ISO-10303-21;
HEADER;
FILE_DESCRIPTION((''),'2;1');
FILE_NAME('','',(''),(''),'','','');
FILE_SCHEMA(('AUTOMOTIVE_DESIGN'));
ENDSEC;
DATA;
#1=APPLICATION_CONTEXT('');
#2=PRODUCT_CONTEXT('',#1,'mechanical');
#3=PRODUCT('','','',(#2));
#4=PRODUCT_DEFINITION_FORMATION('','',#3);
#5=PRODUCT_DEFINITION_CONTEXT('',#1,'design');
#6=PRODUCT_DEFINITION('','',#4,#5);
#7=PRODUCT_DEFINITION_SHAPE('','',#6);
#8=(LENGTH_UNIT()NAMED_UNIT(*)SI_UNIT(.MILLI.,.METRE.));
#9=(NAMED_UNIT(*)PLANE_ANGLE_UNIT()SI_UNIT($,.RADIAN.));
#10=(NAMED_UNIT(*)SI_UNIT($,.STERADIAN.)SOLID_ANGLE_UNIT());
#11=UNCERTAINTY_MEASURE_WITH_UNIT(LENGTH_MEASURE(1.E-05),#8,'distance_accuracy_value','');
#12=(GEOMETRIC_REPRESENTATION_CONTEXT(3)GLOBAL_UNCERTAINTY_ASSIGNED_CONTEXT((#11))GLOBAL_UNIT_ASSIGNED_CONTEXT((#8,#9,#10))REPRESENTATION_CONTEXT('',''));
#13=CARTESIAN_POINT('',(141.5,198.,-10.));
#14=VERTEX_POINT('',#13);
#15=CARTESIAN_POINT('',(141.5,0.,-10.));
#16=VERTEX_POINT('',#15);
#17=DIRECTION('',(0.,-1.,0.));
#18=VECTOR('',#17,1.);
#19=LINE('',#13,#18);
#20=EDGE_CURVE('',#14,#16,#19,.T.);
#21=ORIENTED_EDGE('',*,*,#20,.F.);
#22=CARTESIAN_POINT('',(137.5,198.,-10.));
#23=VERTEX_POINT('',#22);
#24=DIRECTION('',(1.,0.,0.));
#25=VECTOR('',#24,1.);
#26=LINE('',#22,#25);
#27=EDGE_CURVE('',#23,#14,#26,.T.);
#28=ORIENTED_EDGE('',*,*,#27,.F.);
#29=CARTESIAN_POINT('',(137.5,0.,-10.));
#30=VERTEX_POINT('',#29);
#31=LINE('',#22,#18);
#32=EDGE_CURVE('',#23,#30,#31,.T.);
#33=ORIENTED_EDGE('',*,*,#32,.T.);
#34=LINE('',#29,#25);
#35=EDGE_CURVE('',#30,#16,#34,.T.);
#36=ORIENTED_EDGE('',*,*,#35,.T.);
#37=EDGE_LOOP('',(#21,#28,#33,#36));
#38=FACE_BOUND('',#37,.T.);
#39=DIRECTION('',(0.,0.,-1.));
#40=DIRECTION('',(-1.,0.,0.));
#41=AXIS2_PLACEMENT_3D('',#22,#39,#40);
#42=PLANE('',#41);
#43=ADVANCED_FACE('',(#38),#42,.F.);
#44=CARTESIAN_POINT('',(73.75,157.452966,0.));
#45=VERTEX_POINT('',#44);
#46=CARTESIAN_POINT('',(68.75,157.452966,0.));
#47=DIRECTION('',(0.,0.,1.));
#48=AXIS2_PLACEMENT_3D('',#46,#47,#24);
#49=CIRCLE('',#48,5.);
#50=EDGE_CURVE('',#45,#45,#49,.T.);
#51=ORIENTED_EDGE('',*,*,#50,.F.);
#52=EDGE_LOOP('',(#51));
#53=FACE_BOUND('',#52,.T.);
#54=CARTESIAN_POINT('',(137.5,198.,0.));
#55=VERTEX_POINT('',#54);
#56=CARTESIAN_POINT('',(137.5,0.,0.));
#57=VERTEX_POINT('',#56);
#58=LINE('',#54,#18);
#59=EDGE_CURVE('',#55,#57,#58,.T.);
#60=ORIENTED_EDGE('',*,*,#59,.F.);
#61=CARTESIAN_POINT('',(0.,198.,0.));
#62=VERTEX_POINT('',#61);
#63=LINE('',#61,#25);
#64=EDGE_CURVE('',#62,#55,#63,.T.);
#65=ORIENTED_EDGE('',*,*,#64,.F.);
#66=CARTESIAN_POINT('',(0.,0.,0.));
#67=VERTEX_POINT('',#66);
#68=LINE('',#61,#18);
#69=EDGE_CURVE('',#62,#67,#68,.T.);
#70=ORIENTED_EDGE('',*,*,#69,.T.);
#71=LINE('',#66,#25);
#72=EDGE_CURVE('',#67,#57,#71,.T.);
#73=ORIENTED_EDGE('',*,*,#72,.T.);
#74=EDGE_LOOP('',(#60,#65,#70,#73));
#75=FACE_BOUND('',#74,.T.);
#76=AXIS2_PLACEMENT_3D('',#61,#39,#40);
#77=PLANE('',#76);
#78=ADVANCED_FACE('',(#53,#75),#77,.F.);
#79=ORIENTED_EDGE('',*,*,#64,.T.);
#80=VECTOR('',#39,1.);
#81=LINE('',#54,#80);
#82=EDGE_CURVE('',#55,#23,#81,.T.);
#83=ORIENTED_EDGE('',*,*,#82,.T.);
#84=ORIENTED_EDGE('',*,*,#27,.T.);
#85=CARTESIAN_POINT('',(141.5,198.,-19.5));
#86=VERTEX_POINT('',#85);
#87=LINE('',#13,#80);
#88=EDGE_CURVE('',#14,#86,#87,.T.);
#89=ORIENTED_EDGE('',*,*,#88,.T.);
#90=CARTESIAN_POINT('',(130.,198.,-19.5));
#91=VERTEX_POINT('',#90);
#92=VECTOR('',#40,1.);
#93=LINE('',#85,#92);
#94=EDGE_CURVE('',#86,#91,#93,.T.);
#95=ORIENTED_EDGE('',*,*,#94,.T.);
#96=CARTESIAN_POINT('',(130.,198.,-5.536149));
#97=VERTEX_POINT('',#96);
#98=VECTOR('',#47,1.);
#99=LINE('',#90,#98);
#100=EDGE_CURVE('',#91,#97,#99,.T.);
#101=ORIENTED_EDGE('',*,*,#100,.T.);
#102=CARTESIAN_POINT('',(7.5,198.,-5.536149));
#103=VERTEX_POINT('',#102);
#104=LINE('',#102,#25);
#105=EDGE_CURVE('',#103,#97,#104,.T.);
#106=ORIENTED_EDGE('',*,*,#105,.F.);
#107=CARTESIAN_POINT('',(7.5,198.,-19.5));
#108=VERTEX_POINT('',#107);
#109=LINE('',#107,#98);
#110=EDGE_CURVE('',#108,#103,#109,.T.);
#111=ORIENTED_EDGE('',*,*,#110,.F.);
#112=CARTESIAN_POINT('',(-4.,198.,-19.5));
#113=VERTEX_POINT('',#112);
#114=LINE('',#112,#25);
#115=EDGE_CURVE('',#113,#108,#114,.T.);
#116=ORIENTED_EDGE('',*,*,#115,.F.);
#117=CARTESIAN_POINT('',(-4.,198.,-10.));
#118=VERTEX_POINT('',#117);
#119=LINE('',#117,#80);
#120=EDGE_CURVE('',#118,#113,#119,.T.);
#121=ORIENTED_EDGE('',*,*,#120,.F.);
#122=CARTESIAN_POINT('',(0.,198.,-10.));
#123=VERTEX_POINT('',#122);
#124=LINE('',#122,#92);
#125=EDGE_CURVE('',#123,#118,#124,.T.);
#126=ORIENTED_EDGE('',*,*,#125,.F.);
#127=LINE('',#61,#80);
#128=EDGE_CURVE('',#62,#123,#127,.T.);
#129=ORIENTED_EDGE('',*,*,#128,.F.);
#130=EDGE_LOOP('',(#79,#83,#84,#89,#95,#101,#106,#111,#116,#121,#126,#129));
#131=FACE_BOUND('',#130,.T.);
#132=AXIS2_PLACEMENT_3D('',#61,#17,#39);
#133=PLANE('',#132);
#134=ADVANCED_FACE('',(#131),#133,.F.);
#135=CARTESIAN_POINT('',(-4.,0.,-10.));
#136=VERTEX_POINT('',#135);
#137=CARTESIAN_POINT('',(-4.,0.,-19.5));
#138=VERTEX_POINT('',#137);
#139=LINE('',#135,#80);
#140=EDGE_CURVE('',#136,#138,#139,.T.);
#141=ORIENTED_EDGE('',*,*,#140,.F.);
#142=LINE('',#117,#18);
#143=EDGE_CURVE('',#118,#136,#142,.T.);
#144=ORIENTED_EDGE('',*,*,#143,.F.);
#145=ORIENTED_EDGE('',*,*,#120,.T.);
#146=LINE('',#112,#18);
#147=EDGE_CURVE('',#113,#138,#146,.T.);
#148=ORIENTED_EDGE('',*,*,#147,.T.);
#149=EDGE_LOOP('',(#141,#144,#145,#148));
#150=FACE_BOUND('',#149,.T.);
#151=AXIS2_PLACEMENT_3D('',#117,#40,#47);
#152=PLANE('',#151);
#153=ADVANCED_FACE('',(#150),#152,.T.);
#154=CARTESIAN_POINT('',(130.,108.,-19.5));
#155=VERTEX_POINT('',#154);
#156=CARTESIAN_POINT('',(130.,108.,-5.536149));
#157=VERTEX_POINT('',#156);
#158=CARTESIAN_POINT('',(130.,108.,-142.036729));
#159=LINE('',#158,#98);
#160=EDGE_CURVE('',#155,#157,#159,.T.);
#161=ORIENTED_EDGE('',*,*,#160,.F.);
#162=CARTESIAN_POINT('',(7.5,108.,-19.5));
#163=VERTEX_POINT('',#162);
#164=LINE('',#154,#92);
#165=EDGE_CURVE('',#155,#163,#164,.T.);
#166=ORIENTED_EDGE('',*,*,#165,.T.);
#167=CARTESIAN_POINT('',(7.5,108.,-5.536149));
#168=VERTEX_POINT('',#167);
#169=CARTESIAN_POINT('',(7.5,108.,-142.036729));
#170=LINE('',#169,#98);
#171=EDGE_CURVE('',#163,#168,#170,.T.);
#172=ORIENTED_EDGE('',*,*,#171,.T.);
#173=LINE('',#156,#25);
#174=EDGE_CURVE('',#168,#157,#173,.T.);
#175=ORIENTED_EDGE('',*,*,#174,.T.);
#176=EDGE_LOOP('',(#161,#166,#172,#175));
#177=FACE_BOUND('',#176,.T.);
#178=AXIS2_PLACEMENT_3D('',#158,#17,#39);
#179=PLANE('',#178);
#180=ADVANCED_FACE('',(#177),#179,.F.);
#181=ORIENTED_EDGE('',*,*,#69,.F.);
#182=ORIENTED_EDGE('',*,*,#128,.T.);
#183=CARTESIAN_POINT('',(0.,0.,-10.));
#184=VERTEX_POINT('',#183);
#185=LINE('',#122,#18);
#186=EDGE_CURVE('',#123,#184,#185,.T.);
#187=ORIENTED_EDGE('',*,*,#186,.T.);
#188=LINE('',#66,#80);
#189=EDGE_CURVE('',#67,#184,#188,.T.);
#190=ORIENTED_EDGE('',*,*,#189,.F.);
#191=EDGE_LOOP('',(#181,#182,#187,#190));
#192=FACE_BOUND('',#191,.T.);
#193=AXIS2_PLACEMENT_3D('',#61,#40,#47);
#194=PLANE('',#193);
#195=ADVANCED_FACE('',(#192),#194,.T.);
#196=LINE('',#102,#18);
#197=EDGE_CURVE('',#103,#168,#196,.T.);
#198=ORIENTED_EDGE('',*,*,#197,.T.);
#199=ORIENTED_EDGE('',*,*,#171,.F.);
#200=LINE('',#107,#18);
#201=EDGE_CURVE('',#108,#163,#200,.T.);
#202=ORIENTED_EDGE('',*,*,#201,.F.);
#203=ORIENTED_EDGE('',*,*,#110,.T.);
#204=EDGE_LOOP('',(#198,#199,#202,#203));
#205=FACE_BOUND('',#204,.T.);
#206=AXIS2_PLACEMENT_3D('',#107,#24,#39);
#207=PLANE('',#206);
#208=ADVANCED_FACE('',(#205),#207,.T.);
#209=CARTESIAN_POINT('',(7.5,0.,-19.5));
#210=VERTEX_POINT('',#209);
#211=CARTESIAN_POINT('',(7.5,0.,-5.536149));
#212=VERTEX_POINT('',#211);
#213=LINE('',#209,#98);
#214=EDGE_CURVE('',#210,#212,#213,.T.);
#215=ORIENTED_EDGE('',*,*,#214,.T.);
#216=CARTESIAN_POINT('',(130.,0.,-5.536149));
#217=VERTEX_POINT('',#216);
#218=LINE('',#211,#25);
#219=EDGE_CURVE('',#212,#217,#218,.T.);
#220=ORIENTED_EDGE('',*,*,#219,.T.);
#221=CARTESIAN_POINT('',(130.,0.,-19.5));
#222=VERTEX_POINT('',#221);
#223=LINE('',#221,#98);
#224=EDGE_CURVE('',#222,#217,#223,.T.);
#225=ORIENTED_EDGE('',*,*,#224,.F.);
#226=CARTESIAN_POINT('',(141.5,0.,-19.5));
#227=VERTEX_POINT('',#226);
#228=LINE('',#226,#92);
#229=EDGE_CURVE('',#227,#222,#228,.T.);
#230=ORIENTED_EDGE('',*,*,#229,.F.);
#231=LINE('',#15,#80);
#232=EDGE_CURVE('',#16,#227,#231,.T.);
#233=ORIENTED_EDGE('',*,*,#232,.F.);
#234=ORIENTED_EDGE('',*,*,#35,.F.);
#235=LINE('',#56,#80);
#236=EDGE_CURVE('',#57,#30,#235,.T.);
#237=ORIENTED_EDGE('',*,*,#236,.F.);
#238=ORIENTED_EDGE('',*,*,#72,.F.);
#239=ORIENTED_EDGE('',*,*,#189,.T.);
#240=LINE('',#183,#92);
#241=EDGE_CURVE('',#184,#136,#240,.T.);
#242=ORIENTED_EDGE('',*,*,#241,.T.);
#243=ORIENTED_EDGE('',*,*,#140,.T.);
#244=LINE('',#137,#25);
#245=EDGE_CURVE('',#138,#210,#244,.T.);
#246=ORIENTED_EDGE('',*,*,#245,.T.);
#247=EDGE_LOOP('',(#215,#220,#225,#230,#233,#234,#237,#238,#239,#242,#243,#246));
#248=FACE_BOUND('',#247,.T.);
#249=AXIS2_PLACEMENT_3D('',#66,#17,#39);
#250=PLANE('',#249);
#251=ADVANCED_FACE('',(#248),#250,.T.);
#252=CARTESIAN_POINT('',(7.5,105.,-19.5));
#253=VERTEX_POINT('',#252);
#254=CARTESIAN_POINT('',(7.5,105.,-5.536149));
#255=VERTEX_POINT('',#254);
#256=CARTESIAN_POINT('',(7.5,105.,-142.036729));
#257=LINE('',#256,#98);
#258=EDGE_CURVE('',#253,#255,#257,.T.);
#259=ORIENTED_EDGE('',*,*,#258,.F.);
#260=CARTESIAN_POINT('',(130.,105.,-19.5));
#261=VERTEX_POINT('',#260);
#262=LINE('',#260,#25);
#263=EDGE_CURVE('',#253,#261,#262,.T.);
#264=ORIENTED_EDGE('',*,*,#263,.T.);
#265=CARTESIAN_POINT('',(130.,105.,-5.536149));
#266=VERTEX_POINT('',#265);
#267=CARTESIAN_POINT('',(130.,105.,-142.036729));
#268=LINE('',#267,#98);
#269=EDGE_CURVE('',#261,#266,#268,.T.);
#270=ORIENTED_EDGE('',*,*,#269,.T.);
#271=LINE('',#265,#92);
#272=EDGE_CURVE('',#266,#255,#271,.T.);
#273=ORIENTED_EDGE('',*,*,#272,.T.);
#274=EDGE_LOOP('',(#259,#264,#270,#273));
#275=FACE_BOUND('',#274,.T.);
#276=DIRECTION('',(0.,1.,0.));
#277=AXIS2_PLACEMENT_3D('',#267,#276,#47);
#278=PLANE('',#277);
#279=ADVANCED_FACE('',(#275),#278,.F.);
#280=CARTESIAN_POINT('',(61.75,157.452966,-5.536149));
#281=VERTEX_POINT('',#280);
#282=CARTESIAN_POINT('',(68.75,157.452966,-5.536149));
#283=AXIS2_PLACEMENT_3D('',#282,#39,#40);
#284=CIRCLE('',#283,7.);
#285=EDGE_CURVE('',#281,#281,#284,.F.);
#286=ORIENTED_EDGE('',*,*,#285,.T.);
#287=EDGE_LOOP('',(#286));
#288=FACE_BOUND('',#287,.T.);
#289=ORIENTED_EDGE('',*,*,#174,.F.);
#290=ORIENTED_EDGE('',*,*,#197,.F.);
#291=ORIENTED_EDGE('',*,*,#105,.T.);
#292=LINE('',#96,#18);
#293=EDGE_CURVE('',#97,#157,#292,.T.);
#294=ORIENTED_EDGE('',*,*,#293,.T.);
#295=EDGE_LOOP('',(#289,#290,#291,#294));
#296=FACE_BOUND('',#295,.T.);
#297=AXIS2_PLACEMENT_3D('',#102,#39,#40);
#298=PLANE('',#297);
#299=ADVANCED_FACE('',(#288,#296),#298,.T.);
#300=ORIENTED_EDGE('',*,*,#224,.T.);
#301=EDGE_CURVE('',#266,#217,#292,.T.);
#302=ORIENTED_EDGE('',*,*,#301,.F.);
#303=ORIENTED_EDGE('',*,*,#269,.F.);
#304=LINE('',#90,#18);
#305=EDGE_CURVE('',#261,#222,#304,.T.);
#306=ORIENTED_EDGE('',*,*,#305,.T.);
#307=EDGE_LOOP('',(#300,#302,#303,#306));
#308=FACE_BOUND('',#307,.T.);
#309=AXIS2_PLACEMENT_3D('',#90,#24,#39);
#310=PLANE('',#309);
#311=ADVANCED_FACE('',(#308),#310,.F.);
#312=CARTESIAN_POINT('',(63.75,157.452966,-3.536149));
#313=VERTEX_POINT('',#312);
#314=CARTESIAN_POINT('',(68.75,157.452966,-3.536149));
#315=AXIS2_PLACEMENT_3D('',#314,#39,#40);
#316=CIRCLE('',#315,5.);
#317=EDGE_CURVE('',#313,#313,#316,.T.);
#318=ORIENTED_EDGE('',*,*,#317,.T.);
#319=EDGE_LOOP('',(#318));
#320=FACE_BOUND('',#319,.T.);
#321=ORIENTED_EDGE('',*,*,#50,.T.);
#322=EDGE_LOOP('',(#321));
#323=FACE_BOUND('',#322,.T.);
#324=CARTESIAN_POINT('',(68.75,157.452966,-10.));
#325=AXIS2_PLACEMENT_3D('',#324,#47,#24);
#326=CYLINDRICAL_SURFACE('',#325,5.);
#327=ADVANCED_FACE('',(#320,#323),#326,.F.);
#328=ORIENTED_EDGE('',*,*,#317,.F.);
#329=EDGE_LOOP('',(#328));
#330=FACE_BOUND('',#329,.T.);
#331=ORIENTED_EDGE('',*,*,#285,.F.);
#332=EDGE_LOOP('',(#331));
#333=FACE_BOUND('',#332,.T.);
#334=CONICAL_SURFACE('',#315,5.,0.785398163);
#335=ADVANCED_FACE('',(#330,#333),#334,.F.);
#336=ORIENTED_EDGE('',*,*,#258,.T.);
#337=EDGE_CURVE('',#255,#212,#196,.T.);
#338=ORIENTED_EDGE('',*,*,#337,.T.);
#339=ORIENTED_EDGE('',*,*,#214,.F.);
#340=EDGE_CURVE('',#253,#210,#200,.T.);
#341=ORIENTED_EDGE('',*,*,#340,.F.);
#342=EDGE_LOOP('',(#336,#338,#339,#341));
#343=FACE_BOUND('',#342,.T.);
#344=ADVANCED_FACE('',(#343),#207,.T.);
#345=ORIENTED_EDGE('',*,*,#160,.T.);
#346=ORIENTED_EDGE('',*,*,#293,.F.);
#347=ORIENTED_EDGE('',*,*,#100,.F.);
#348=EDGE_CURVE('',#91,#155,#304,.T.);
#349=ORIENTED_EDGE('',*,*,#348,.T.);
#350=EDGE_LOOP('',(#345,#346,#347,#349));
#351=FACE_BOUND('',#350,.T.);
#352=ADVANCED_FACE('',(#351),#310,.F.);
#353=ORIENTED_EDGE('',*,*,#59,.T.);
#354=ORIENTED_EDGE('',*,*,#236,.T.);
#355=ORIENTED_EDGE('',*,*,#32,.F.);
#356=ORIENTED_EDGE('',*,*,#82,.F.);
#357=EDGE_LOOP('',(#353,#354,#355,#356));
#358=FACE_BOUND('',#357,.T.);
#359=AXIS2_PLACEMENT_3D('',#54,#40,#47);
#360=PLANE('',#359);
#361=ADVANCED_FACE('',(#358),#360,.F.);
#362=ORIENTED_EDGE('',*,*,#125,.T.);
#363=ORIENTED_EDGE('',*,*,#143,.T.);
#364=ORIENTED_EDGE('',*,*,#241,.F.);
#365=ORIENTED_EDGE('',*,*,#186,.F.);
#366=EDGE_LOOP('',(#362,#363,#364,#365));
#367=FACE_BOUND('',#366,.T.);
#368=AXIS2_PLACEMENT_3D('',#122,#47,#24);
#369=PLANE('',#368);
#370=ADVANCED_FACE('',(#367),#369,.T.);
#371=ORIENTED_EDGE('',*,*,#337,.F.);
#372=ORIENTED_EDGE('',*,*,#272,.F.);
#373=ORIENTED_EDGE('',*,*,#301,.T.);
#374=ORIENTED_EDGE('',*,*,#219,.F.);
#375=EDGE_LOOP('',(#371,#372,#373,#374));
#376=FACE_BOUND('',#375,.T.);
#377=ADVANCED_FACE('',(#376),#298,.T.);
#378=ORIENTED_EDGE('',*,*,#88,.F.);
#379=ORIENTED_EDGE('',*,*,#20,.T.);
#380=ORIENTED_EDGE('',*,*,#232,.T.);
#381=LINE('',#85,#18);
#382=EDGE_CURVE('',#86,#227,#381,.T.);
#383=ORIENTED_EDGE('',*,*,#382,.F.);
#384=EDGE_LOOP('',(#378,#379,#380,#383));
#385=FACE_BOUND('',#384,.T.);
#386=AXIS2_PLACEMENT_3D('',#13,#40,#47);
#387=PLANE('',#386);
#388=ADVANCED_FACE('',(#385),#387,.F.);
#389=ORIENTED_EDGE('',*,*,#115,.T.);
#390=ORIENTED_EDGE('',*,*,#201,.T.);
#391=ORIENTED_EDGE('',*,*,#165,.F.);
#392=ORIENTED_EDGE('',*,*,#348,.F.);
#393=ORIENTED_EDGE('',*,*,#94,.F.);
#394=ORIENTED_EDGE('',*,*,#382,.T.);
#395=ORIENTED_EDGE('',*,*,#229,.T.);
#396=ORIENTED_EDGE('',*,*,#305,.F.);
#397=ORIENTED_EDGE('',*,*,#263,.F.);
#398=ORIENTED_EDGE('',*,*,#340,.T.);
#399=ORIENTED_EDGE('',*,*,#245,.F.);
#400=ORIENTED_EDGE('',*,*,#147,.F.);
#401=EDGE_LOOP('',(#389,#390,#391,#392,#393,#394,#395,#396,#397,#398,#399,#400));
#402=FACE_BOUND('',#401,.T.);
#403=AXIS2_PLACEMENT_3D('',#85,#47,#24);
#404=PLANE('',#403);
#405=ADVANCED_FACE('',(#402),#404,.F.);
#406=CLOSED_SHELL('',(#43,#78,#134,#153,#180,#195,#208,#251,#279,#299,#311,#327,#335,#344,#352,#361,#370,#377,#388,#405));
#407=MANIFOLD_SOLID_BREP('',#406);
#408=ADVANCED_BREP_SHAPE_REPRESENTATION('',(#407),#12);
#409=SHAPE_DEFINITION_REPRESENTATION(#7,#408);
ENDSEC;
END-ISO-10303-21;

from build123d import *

# Parameters (mm, degrees)
SALIENTE_EXTRUIR4_DEPTH = 198
CROQUIS2_W              = 122.5
CROQUIS2_H              = 3
SALIENTE_EXTRUIR5_DEPTH = 13.963851332
CROQUIS3_R              = 5
CORTAR_EXTRUIR1_DEPTH   = 10
CHAFL_N2_SIZE           = 2


with BuildPart() as part:
    # Croquis1 → Saliente-Extruir4 (new body)
    with BuildSketch(Plane(origin=(0, 0, 0), x_dir=(1, 0, 0), z_dir=(0, 1, 0))):
        Polygon((-4, 10), (-4, 19.5), (7.5, 19.5), (7.5, 5.536148668), (130, 5.536148668), (130, 19.5), (141.5, 19.5), (141.5, 10), (137.5, 10), (137.5, 0), (0, 0), (0, 10), align=None)
    extrude(amount=SALIENTE_EXTRUIR4_DEPTH)

    # Croquis2 → Saliente-Extruir5 (add)
    with BuildSketch(Plane(origin=(0, 0, -5.536148668), x_dir=(-1, 0, 0), z_dir=(0, 0, -1))):
        with Locations((-68.75, 106.5)):
            Rectangle(CROQUIS2_W, CROQUIS2_H)
    extrude(amount=SALIENTE_EXTRUIR5_DEPTH)

    # Croquis3 → Cortar-Extruir1 (cut)
    with BuildSketch(Plane.XY):
        with Locations((68.75, 157.45296568)):
            Circle(CROQUIS3_R)
    extrude(amount=-CORTAR_EXTRUIR1_DEPTH, mode=Mode.SUBTRACT)

    # Chaflán2
    chafl_n2_edges = [part.edges().sort_by_distance(p)[0] for p in [
        (63.75, 157.45296568, -5.536148668),
    ]]
    chamfer(chafl_n2_edges, length=CHAFL_N2_SIZE)


solid = part.part
